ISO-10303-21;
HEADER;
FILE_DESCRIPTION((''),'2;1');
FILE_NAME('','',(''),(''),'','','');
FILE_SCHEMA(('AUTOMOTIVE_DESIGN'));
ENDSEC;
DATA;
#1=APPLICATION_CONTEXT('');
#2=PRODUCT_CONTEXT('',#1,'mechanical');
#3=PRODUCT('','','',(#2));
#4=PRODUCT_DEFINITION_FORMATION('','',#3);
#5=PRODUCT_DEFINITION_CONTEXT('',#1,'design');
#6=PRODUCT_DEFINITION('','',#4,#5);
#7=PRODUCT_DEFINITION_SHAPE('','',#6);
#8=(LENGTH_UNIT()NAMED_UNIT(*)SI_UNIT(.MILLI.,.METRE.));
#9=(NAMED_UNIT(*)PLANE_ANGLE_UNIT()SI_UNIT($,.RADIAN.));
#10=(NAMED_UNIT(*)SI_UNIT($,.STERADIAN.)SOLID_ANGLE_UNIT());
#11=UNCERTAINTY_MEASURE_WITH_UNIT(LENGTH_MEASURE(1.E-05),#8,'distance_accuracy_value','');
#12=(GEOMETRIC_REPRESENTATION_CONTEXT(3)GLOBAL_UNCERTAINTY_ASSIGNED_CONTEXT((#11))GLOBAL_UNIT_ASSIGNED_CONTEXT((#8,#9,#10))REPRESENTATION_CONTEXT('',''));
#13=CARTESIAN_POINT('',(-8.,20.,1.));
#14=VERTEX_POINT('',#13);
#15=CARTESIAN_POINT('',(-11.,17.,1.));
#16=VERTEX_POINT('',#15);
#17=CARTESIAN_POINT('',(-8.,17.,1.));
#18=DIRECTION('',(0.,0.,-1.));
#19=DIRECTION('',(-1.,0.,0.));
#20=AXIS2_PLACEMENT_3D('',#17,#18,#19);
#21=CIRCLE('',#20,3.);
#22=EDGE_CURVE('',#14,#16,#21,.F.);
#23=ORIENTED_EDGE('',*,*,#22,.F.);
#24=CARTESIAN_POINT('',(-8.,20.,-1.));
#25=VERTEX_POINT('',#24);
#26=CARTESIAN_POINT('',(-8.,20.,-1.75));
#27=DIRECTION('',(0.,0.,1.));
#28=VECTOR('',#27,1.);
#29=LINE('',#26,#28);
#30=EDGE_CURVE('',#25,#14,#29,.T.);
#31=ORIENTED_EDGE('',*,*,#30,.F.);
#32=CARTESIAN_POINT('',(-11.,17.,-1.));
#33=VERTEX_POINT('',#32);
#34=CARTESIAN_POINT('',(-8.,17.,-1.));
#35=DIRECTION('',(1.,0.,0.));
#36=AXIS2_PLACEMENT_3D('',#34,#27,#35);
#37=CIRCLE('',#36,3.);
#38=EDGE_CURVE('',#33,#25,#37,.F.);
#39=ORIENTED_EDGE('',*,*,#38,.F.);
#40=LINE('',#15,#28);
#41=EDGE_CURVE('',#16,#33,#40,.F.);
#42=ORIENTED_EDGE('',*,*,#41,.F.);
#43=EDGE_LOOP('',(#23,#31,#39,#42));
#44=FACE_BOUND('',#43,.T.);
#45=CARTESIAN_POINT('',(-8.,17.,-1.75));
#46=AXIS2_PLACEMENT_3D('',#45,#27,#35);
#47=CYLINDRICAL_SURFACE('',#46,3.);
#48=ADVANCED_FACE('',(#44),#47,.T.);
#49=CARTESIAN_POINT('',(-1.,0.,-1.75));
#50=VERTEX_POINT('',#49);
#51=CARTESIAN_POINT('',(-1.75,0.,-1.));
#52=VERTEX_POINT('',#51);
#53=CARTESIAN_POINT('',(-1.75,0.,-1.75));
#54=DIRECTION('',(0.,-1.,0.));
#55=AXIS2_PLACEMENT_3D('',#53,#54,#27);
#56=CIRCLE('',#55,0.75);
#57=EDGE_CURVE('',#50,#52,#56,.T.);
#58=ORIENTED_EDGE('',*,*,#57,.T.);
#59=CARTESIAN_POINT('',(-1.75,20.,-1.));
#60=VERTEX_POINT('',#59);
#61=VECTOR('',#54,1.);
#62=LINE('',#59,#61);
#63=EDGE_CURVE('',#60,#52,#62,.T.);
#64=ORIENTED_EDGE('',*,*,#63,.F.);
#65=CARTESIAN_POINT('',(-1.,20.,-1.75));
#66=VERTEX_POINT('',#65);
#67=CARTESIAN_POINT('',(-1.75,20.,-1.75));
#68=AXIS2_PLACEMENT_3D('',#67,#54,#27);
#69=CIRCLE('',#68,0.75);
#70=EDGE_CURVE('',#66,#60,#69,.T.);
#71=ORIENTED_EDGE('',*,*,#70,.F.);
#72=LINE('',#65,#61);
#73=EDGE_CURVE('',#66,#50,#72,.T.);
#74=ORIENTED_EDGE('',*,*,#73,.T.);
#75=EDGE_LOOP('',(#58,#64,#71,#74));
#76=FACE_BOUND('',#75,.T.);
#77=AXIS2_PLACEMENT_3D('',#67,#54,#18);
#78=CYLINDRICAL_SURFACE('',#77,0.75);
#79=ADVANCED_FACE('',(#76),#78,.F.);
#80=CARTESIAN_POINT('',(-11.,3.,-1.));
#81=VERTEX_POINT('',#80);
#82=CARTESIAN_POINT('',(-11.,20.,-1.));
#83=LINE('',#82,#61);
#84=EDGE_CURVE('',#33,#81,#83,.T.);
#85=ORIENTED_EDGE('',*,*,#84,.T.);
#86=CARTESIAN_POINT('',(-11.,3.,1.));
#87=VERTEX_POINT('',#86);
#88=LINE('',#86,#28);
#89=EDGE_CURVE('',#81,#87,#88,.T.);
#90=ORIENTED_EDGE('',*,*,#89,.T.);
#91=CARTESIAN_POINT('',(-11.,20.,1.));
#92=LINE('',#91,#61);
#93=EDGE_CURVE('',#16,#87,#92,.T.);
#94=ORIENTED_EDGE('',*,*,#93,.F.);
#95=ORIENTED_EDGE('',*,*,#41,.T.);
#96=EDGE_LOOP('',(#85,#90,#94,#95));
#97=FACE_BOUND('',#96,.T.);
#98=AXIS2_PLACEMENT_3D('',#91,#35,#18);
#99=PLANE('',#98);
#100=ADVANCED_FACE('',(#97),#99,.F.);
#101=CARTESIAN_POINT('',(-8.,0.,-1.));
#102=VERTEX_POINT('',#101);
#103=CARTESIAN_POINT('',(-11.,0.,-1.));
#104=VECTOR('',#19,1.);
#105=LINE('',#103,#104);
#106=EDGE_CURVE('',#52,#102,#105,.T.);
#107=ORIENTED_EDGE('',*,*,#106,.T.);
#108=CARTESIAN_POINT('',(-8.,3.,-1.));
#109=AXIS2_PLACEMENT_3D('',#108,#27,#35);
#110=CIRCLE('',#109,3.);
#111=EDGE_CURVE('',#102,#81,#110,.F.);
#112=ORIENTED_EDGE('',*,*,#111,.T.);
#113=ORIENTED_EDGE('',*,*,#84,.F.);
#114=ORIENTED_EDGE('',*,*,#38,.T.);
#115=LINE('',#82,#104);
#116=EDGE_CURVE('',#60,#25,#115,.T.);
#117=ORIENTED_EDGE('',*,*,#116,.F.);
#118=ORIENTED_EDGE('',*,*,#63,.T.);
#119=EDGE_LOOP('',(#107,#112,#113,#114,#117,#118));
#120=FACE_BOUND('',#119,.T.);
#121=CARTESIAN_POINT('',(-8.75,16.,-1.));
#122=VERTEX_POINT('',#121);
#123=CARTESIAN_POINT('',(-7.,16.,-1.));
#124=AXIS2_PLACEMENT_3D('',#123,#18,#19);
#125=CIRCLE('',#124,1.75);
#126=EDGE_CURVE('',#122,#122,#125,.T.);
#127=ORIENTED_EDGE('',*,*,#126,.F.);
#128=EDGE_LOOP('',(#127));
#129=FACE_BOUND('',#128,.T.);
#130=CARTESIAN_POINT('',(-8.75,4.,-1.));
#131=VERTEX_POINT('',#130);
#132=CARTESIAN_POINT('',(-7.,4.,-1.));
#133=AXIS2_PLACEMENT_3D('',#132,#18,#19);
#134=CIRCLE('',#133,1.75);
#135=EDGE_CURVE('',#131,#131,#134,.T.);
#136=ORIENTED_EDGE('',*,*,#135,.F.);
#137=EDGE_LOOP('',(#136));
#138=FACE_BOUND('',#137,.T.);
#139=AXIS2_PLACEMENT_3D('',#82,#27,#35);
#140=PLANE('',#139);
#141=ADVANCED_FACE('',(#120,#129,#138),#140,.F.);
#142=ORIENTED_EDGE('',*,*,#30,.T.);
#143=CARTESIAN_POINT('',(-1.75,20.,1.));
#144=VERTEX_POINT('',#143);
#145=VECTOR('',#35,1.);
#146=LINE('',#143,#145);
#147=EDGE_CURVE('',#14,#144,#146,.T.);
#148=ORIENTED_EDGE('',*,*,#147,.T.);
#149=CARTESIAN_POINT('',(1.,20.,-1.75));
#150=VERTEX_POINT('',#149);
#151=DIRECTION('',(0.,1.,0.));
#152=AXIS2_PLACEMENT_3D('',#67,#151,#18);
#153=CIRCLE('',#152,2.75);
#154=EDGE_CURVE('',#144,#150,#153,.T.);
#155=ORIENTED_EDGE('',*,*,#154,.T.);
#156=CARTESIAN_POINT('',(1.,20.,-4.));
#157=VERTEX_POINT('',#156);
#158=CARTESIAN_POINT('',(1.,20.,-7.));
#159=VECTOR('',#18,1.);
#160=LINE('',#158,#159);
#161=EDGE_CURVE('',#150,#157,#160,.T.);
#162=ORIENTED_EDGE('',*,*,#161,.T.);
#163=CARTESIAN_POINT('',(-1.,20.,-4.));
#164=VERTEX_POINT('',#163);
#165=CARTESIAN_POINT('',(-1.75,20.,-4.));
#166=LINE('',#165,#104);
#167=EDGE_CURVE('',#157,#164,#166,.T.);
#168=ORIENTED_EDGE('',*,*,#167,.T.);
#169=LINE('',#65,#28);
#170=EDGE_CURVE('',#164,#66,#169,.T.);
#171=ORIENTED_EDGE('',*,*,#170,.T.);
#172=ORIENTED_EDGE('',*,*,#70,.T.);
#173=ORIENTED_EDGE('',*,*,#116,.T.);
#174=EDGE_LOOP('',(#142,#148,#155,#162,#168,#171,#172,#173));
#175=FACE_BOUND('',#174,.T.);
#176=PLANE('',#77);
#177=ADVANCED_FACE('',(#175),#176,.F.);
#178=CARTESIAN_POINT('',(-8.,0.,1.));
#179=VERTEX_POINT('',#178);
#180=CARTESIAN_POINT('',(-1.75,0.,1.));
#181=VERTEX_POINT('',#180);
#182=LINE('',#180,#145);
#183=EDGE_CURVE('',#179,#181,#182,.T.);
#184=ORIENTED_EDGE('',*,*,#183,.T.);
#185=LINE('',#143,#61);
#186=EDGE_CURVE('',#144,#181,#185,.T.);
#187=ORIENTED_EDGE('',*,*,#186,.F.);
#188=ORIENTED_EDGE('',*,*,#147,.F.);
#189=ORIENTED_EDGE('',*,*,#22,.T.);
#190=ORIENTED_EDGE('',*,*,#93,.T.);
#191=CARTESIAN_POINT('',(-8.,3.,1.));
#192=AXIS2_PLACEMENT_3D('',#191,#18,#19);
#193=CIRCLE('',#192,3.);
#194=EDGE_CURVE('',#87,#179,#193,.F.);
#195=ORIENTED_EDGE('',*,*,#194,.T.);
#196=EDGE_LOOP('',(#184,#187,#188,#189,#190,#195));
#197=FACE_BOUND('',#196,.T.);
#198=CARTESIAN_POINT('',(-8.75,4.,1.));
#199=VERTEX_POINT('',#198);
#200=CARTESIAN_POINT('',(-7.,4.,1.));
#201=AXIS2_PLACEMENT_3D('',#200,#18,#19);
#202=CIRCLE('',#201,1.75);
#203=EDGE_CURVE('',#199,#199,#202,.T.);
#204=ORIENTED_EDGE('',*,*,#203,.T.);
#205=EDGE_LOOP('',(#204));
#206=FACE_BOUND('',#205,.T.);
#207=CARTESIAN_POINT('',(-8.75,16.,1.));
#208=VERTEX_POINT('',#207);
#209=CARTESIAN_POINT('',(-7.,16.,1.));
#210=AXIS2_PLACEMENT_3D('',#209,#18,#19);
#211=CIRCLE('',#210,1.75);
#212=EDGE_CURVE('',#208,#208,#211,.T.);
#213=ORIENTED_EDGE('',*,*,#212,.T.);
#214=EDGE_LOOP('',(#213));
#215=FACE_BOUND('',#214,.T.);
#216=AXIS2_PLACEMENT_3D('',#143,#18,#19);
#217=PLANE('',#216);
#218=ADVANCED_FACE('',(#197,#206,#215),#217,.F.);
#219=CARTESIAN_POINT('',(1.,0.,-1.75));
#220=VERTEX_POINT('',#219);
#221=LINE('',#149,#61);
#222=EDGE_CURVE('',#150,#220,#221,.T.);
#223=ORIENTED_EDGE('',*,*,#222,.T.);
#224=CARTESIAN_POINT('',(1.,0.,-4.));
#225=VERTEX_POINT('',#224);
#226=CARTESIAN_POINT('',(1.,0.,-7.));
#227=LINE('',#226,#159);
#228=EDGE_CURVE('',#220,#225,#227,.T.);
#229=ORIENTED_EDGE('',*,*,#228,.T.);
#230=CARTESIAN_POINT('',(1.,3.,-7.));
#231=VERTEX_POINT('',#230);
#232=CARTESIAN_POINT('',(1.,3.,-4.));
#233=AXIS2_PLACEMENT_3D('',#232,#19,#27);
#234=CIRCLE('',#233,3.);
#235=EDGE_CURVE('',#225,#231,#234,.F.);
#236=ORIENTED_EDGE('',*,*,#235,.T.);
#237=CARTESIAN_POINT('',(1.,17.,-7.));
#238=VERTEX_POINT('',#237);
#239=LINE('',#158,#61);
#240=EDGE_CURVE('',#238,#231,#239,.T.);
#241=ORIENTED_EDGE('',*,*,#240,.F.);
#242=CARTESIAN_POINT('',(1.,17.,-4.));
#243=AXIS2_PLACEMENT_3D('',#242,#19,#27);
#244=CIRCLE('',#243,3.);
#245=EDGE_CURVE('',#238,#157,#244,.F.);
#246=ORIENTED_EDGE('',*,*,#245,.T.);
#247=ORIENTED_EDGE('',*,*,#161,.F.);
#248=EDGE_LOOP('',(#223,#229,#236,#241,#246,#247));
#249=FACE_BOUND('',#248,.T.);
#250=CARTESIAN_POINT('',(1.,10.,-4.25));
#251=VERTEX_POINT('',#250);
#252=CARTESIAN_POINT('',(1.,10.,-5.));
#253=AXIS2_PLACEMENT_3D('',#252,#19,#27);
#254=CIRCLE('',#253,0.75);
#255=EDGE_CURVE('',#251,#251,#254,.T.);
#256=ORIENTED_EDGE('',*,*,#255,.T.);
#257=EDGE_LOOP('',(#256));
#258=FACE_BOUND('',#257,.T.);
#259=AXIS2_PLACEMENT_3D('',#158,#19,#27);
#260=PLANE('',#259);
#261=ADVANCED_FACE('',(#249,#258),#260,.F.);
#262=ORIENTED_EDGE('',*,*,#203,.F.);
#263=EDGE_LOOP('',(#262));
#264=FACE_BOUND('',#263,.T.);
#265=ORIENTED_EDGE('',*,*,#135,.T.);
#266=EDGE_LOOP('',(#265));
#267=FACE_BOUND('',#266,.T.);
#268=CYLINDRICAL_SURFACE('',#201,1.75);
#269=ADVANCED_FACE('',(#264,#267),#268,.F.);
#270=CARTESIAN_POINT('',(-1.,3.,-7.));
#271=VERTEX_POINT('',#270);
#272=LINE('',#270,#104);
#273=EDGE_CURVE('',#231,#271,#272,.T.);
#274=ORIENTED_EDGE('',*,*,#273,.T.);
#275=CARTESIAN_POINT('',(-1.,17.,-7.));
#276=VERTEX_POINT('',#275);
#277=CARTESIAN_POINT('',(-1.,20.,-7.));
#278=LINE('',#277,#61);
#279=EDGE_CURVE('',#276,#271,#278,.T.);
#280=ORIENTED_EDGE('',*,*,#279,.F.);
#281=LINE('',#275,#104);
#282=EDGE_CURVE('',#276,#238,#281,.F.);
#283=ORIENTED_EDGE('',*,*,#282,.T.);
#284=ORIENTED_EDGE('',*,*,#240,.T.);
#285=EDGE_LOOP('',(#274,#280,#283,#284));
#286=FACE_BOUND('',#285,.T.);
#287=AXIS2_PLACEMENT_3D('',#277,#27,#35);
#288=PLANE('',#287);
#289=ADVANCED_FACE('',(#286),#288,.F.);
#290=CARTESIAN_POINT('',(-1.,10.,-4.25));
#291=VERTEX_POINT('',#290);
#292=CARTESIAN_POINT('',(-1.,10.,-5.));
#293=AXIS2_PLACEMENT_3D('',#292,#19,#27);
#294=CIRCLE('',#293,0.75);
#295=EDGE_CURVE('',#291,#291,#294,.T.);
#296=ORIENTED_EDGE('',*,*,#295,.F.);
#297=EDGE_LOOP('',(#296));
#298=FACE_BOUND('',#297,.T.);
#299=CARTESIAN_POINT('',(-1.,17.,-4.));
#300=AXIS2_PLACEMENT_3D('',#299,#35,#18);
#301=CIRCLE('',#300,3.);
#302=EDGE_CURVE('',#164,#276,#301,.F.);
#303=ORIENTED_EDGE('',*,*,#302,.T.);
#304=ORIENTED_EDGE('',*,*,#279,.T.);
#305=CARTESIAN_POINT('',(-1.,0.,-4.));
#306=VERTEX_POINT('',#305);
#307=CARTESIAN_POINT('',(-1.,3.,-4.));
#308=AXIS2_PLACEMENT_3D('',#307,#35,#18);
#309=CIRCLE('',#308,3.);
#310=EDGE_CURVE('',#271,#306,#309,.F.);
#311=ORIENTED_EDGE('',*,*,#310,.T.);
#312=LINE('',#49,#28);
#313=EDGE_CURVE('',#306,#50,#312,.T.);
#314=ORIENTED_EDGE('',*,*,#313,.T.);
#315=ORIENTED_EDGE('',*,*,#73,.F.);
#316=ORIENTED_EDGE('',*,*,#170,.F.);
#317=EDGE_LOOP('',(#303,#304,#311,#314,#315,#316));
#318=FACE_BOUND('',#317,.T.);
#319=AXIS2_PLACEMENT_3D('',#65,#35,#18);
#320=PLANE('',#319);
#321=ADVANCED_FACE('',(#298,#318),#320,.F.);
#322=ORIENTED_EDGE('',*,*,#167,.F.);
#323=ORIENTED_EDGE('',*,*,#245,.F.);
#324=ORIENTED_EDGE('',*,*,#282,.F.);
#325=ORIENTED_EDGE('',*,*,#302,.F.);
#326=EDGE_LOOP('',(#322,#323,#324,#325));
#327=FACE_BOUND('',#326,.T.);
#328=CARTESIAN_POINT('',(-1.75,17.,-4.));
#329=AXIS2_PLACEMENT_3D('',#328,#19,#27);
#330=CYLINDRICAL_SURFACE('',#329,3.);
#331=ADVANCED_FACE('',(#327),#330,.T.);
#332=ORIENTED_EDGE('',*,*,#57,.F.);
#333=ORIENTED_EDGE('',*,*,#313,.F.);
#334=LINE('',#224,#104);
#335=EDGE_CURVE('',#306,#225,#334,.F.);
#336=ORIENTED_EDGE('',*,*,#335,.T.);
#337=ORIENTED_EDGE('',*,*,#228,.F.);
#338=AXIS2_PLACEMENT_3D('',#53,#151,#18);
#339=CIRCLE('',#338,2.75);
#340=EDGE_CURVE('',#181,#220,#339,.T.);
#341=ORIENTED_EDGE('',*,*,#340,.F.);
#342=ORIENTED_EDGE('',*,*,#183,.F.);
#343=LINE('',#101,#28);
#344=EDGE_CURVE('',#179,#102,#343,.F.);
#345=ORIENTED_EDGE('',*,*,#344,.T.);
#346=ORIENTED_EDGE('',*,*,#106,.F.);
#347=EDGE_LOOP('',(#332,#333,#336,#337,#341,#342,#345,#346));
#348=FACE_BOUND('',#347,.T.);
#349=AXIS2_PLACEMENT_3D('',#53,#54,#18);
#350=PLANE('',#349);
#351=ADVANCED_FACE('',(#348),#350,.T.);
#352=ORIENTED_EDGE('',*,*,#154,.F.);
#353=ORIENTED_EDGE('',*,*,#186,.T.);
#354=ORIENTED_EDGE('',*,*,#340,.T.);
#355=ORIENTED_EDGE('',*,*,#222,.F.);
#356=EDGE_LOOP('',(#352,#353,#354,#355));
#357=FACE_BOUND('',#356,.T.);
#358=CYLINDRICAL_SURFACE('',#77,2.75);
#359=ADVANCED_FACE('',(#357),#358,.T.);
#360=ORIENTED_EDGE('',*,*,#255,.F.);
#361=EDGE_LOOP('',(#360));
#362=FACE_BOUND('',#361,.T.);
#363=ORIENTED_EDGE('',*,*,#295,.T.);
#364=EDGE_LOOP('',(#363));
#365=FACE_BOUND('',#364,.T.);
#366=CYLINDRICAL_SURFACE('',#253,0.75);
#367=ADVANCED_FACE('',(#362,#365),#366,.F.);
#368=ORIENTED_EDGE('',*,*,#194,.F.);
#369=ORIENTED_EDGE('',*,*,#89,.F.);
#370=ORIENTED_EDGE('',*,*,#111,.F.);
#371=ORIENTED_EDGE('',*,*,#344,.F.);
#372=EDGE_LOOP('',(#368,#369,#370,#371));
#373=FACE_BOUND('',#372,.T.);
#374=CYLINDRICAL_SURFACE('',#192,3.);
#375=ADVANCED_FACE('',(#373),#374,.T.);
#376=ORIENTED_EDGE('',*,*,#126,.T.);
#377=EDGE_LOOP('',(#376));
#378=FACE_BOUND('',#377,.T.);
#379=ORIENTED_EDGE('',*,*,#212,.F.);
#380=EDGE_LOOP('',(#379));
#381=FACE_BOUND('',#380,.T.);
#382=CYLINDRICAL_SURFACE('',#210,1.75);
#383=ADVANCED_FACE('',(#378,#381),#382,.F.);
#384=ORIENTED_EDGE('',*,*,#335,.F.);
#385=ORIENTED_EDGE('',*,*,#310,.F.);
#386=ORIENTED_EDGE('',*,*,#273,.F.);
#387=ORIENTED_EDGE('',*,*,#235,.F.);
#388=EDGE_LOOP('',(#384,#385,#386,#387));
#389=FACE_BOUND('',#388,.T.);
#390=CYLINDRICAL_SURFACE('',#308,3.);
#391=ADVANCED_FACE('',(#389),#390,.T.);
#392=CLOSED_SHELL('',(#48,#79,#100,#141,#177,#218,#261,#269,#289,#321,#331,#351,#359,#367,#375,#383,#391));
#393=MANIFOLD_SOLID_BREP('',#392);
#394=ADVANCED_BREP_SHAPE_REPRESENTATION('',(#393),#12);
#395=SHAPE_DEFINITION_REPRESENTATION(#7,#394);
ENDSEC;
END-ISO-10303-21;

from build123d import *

# Parameters (mm, degrees)
BOSS_EXTRUDE1_DEPTH = 20
FILLET1_R           = 3
SKETCH3_R           = 1.75
CUT_EXTRUDE1_DEPTH  = 24.600847442
SKETCH4_R           = 0.75
CUT_EXTRUDE2_DEPTH  = 24.430749028


with BuildPart() as part:
    # Sketch2 → Boss-Extrude1 (new body)
    with BuildSketch(Plane(origin=(0, 0, 0), x_dir=(1, 0, 0), z_dir=(0, 1, 0))):
        with BuildLine():
            Line((-1, 7), (1, 7))
            Line((1, 7), (1, 1.75))
            ThreePointArc((1, 1.75), (0.194543648, -0.194543648), (-1.75, -1))
            Line((-1.75, -1), (-11, -1))
            Line((-11, -1), (-11, 1))
            Line((-11, 1), (-1.75, 1))
            ThreePointArc((-1.75, 1), (-1.219669914, 1.219669914), (-1, 1.75))
            Line((-1, 1.75), (-1, 7))
        make_face()
    extrude(amount=BOSS_EXTRUDE1_DEPTH)

    # Fillet1
    fillet1_edges = [part.edges().sort_by_distance(p)[0] for p in [
        (-11, 0, 0),
        (-11, 20, 0),
        (0, 20, -7),
        (0, 0, -7),
    ]]
    fillet(fillet1_edges, radius=FILLET1_R)

    # Sketch3 → Cut-Extrude1 (cut, through all)
    with BuildSketch(Plane(origin=(0, 0, -1), x_dir=(-1, 0, 0), z_dir=(0, 0, -1))):
        with Locations((7, 16)):
            Circle(SKETCH3_R)
        with Locations((7, 4)):
            Circle(SKETCH3_R)
    extrude(amount=-CUT_EXTRUDE1_DEPTH, mode=Mode.SUBTRACT)

    # Sketch4 → Cut-Extrude2 (cut, through all)
    with BuildSketch(Plane.ZY.offset(1)):
        with Locations((-5, 10)):
            Circle(SKETCH4_R)
    extrude(amount=-CUT_EXTRUDE2_DEPTH, mode=Mode.SUBTRACT)


solid = part.part
